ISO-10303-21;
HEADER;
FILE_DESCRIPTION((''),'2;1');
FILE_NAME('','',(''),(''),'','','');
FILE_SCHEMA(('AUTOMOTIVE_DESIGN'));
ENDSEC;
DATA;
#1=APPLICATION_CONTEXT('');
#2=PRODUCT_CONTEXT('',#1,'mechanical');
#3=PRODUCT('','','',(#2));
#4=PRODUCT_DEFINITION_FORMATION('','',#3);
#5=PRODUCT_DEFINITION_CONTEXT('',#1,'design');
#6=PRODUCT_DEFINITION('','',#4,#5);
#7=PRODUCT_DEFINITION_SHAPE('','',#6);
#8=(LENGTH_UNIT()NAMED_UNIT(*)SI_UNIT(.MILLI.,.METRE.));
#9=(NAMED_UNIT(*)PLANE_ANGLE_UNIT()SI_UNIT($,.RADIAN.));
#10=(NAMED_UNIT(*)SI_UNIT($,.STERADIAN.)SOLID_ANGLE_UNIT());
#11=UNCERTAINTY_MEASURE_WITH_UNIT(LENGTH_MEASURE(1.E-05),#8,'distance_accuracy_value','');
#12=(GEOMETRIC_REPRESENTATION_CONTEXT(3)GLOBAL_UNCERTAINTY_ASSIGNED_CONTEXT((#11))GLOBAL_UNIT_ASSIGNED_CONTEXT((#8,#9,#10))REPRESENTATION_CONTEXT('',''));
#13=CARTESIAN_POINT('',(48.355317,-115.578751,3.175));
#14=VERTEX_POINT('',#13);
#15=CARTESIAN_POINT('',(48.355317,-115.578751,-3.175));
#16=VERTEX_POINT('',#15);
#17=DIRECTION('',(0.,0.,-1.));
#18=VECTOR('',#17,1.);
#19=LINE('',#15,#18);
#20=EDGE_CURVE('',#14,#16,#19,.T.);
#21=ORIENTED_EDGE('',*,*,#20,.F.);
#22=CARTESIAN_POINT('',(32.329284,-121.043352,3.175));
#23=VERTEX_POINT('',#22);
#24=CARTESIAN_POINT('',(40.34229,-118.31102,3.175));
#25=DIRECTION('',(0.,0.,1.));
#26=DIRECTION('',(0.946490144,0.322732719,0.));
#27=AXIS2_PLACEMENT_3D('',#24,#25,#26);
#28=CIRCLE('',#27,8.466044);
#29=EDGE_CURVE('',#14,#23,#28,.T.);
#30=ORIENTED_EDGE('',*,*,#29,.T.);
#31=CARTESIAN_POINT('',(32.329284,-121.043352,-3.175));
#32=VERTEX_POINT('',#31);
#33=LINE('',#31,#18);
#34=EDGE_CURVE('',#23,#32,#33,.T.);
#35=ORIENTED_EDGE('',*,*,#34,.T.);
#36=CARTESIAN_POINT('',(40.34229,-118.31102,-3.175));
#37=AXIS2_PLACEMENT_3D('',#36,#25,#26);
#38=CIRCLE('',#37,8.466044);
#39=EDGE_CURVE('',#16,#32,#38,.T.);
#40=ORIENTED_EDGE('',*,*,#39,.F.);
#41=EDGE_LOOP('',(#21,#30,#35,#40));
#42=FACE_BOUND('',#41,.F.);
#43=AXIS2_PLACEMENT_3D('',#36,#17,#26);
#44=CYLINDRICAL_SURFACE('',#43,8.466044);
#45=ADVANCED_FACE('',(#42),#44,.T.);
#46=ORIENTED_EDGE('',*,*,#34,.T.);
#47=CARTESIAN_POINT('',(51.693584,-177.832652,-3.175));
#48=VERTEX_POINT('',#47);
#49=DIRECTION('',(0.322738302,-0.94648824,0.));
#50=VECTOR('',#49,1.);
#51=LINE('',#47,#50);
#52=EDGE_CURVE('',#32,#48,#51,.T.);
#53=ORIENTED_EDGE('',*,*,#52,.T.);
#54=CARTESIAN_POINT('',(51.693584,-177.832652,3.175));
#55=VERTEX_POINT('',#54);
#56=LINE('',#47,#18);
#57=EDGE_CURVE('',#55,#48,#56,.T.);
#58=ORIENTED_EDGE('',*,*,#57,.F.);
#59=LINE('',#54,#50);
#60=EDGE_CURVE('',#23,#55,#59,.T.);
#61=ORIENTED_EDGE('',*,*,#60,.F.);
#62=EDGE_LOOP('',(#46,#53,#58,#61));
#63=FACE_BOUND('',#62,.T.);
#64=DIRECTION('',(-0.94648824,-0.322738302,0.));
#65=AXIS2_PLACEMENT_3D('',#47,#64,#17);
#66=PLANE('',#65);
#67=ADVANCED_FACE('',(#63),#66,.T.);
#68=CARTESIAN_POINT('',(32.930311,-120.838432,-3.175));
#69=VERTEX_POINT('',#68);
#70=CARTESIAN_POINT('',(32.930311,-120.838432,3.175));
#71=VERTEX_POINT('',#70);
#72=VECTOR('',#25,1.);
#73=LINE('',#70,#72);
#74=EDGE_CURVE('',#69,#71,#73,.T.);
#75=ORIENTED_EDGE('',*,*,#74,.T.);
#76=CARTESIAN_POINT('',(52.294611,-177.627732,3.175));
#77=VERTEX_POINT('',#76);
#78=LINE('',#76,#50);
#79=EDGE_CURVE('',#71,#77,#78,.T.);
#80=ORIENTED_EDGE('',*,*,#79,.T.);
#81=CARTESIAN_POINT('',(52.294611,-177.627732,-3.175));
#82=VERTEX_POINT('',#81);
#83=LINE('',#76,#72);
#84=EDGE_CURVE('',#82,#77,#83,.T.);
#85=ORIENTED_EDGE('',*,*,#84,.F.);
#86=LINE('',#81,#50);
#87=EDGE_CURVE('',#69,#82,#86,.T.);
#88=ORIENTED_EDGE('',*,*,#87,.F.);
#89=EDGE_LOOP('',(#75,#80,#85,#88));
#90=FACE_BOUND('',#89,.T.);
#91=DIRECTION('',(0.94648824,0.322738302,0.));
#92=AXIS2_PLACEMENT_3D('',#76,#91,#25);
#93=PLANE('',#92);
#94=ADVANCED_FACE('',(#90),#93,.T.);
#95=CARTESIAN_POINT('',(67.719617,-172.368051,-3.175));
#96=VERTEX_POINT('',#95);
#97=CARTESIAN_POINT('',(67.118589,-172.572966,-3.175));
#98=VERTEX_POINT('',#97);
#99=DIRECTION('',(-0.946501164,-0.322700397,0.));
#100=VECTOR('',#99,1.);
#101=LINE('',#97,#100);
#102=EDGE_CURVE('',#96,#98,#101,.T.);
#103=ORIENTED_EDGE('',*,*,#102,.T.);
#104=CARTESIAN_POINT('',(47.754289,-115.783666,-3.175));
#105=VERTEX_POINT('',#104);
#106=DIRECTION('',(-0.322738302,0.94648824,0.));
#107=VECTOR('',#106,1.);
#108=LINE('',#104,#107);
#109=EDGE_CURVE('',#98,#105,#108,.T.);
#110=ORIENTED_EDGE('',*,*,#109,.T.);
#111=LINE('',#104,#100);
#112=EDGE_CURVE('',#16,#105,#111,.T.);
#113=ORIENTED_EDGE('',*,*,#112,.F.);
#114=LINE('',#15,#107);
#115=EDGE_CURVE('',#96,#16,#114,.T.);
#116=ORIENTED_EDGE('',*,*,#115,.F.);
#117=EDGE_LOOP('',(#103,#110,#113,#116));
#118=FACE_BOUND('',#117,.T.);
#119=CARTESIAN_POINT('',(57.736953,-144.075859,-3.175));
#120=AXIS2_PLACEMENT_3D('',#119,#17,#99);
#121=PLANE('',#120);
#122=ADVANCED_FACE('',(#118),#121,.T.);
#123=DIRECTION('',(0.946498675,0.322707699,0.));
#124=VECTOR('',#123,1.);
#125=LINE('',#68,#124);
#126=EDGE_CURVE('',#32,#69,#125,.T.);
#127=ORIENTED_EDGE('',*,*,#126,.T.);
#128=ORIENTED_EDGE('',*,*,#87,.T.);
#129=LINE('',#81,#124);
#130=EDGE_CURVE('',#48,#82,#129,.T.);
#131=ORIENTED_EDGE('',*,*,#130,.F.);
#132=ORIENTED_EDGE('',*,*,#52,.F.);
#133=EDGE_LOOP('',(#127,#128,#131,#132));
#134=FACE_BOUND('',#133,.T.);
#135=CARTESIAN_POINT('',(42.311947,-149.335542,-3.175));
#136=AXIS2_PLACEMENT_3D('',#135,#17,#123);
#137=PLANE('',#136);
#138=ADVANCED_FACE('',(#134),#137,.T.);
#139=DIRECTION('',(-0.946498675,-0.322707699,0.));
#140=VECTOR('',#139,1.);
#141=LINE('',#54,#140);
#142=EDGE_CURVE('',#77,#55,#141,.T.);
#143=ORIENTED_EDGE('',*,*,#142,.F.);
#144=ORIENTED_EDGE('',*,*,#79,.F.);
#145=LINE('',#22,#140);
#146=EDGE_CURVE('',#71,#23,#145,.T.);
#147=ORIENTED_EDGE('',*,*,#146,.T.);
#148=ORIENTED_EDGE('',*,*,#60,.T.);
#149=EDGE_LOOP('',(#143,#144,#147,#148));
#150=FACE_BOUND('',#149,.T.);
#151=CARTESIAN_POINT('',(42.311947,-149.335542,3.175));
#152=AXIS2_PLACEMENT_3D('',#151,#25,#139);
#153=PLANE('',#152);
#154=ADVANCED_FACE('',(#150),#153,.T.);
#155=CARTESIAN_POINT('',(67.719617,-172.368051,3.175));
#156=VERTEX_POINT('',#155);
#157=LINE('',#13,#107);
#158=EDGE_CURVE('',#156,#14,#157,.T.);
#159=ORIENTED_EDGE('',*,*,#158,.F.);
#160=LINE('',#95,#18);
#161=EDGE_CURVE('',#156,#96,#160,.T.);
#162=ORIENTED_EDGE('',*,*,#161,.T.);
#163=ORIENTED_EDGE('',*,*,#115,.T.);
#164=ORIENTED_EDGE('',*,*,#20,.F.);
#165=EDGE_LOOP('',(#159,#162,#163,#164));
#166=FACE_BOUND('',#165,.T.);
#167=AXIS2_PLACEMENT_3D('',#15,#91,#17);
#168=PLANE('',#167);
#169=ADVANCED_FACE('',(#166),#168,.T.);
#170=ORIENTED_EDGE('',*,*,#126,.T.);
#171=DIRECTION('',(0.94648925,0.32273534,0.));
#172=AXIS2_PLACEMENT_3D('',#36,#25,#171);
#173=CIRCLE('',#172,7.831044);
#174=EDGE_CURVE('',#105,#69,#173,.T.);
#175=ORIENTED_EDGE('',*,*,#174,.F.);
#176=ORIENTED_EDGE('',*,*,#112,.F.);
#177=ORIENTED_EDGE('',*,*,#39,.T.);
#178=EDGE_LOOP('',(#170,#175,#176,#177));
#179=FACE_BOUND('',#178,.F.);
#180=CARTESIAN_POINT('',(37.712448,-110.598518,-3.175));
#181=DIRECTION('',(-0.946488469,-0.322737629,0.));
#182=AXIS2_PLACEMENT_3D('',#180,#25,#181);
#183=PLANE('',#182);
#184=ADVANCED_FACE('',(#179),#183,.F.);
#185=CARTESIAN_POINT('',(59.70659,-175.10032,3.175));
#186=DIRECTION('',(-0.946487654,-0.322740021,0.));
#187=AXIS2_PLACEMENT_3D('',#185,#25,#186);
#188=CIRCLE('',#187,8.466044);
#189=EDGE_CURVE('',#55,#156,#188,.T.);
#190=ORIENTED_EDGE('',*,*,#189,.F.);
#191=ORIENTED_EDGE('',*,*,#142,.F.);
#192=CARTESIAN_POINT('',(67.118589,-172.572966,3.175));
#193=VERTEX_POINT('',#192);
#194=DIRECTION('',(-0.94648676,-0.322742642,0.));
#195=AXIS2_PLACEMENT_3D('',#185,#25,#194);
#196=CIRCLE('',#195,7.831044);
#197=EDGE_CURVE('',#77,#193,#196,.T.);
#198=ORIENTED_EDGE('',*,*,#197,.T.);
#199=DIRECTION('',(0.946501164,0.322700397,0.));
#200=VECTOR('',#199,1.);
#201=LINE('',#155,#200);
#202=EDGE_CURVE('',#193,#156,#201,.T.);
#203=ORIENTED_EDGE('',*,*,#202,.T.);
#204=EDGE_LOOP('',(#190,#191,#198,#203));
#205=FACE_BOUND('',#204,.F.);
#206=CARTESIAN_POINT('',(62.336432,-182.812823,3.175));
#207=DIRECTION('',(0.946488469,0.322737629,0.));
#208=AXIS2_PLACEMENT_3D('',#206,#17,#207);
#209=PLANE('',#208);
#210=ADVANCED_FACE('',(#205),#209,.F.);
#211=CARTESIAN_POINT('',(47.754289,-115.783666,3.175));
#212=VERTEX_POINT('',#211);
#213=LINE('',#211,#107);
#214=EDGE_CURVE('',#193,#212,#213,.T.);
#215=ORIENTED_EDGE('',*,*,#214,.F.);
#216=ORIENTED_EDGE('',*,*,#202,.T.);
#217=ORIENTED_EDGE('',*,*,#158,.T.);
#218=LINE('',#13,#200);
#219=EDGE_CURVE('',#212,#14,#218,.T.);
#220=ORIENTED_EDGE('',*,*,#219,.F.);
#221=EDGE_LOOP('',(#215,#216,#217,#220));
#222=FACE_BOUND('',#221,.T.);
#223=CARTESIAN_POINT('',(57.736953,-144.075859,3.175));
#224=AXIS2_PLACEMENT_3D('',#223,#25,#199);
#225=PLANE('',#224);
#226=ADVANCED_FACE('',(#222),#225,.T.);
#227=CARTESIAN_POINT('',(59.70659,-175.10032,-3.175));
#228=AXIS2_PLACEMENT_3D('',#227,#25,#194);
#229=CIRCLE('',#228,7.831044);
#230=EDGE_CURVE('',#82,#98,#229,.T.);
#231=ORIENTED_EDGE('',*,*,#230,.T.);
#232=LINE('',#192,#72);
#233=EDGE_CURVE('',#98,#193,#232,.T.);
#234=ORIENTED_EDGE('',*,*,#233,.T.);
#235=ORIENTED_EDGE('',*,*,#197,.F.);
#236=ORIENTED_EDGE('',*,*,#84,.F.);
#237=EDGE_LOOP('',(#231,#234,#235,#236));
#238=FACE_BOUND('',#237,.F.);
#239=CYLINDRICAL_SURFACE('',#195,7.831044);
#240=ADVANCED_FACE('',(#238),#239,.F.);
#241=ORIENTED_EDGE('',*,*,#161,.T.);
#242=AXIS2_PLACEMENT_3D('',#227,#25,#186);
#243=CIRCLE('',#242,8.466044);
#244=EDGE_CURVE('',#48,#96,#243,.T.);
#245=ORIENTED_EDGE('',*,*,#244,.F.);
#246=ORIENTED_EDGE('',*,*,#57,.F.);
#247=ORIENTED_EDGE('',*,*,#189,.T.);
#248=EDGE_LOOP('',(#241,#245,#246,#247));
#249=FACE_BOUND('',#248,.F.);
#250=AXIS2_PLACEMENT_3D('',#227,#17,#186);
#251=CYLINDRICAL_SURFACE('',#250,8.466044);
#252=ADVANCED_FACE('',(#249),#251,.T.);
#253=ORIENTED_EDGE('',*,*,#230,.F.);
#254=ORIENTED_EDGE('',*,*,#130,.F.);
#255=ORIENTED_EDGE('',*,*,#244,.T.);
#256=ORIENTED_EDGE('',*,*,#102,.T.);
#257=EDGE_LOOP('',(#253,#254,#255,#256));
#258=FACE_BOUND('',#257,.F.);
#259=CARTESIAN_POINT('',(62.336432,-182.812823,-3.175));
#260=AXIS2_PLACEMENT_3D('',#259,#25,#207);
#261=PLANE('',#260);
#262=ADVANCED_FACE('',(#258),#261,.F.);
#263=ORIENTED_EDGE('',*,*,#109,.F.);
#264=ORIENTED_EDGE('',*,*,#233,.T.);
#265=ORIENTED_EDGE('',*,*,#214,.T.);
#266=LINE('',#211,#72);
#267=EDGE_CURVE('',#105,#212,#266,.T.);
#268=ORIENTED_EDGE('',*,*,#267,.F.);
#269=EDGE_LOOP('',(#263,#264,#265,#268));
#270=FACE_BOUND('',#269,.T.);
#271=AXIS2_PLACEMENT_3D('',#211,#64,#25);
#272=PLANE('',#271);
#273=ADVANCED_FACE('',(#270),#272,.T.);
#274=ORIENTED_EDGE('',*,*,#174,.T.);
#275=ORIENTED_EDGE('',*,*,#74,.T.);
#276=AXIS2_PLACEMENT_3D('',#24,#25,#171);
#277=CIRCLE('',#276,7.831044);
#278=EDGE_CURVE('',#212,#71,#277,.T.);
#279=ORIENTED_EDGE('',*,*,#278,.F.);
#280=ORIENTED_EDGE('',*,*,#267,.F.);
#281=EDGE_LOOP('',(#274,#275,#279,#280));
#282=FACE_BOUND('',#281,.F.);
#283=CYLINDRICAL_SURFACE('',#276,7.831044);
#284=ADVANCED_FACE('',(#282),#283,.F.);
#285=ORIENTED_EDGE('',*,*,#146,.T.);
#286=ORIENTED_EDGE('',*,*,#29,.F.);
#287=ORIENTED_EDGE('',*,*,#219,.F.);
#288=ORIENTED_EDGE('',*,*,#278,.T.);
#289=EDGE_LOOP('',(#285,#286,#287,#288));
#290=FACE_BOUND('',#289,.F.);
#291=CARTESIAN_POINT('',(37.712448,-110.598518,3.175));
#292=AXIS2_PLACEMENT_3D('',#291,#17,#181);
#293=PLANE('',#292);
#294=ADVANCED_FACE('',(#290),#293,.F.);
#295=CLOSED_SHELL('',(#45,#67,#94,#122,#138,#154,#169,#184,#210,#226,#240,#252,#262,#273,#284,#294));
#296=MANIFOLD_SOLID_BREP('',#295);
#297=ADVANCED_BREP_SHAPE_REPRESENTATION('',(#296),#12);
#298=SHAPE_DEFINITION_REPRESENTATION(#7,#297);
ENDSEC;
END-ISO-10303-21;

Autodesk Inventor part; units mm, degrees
sketch "Sketch Path" plane through (0, 0, 0) normal (0, 0, 1) x (1, 0, 0)
  arc A0 (52.0542, -177.7097) -> (67.359, -172.491) centre (59.7066, -175.1003) ccw
  arc A1 (47.9947, -115.7017) -> (32.6899, -120.9204) centre (40.3423, -118.311) ccw
  line L0 (47.9947, -115.7017) -> (67.359, -172.491)
  line L1 (52.0542, -177.7097) -> (32.6899, -120.9204)
ref_plane "Cross Section Plane" through (67.359, -172.491, 0) normal (-0.3227, 0.9465, 0) x (0, 0, 1)
ref_plane "Work Plane2" through (59.7066, -175.1003, 0) normal (-1, 0, 0) x (0, 0, 1)
ref_plane "Work Plane3" through (40.3423, -118.311, 0) normal (0.3156, -0.9489, 0) x (0, 0, 1)
sketch "Cross Section" plane through (67.359, -172.491, 0) normal (-0.3227, 0.9465, 0) x (0, 0, 1)
  line L0 (-3.175, 0.381) -> (3.175, 0.381)
  line L1 (3.175, 0.381) -> (3.175, -0.254)
  line L2 (3.175, -0.254) -> (-3.175, -0.254)
  line L3 (-3.175, -0.254) -> (-3.175, 0.381)
  line L4 (-3.175, 0) -> (3.175, 0) construction
  point P0 (0, 0)
  point P1 (0, 0)
  dimension "d0" = 6.35
  dimension "d4" = 0.254
  dimension "d5" = 0.381
sweep "Belt" add profiles "Cross Section" path "Sketch Path"
equation "\"d0\" = da_B"
equation "\"d4\" = da_a"
equation "\"d5\" = da_a2"
equation "\"da_B\" = 6.35"
equation "\"da_pb\" = 2.032"
equation "\"da_L\" = 170.8"
equation "\"da_a\" = 0.254"
equation "\"da_S\" = 1.143"
equation "\"da_Beta\" = 20deg"
equation "\"da_Ht\" = 0.508"
equation "\"da_H\" = 1.143"
equation "\"da_a2\" = 0.381"
properties part number "Synchronous Belt" material "Rubber"
